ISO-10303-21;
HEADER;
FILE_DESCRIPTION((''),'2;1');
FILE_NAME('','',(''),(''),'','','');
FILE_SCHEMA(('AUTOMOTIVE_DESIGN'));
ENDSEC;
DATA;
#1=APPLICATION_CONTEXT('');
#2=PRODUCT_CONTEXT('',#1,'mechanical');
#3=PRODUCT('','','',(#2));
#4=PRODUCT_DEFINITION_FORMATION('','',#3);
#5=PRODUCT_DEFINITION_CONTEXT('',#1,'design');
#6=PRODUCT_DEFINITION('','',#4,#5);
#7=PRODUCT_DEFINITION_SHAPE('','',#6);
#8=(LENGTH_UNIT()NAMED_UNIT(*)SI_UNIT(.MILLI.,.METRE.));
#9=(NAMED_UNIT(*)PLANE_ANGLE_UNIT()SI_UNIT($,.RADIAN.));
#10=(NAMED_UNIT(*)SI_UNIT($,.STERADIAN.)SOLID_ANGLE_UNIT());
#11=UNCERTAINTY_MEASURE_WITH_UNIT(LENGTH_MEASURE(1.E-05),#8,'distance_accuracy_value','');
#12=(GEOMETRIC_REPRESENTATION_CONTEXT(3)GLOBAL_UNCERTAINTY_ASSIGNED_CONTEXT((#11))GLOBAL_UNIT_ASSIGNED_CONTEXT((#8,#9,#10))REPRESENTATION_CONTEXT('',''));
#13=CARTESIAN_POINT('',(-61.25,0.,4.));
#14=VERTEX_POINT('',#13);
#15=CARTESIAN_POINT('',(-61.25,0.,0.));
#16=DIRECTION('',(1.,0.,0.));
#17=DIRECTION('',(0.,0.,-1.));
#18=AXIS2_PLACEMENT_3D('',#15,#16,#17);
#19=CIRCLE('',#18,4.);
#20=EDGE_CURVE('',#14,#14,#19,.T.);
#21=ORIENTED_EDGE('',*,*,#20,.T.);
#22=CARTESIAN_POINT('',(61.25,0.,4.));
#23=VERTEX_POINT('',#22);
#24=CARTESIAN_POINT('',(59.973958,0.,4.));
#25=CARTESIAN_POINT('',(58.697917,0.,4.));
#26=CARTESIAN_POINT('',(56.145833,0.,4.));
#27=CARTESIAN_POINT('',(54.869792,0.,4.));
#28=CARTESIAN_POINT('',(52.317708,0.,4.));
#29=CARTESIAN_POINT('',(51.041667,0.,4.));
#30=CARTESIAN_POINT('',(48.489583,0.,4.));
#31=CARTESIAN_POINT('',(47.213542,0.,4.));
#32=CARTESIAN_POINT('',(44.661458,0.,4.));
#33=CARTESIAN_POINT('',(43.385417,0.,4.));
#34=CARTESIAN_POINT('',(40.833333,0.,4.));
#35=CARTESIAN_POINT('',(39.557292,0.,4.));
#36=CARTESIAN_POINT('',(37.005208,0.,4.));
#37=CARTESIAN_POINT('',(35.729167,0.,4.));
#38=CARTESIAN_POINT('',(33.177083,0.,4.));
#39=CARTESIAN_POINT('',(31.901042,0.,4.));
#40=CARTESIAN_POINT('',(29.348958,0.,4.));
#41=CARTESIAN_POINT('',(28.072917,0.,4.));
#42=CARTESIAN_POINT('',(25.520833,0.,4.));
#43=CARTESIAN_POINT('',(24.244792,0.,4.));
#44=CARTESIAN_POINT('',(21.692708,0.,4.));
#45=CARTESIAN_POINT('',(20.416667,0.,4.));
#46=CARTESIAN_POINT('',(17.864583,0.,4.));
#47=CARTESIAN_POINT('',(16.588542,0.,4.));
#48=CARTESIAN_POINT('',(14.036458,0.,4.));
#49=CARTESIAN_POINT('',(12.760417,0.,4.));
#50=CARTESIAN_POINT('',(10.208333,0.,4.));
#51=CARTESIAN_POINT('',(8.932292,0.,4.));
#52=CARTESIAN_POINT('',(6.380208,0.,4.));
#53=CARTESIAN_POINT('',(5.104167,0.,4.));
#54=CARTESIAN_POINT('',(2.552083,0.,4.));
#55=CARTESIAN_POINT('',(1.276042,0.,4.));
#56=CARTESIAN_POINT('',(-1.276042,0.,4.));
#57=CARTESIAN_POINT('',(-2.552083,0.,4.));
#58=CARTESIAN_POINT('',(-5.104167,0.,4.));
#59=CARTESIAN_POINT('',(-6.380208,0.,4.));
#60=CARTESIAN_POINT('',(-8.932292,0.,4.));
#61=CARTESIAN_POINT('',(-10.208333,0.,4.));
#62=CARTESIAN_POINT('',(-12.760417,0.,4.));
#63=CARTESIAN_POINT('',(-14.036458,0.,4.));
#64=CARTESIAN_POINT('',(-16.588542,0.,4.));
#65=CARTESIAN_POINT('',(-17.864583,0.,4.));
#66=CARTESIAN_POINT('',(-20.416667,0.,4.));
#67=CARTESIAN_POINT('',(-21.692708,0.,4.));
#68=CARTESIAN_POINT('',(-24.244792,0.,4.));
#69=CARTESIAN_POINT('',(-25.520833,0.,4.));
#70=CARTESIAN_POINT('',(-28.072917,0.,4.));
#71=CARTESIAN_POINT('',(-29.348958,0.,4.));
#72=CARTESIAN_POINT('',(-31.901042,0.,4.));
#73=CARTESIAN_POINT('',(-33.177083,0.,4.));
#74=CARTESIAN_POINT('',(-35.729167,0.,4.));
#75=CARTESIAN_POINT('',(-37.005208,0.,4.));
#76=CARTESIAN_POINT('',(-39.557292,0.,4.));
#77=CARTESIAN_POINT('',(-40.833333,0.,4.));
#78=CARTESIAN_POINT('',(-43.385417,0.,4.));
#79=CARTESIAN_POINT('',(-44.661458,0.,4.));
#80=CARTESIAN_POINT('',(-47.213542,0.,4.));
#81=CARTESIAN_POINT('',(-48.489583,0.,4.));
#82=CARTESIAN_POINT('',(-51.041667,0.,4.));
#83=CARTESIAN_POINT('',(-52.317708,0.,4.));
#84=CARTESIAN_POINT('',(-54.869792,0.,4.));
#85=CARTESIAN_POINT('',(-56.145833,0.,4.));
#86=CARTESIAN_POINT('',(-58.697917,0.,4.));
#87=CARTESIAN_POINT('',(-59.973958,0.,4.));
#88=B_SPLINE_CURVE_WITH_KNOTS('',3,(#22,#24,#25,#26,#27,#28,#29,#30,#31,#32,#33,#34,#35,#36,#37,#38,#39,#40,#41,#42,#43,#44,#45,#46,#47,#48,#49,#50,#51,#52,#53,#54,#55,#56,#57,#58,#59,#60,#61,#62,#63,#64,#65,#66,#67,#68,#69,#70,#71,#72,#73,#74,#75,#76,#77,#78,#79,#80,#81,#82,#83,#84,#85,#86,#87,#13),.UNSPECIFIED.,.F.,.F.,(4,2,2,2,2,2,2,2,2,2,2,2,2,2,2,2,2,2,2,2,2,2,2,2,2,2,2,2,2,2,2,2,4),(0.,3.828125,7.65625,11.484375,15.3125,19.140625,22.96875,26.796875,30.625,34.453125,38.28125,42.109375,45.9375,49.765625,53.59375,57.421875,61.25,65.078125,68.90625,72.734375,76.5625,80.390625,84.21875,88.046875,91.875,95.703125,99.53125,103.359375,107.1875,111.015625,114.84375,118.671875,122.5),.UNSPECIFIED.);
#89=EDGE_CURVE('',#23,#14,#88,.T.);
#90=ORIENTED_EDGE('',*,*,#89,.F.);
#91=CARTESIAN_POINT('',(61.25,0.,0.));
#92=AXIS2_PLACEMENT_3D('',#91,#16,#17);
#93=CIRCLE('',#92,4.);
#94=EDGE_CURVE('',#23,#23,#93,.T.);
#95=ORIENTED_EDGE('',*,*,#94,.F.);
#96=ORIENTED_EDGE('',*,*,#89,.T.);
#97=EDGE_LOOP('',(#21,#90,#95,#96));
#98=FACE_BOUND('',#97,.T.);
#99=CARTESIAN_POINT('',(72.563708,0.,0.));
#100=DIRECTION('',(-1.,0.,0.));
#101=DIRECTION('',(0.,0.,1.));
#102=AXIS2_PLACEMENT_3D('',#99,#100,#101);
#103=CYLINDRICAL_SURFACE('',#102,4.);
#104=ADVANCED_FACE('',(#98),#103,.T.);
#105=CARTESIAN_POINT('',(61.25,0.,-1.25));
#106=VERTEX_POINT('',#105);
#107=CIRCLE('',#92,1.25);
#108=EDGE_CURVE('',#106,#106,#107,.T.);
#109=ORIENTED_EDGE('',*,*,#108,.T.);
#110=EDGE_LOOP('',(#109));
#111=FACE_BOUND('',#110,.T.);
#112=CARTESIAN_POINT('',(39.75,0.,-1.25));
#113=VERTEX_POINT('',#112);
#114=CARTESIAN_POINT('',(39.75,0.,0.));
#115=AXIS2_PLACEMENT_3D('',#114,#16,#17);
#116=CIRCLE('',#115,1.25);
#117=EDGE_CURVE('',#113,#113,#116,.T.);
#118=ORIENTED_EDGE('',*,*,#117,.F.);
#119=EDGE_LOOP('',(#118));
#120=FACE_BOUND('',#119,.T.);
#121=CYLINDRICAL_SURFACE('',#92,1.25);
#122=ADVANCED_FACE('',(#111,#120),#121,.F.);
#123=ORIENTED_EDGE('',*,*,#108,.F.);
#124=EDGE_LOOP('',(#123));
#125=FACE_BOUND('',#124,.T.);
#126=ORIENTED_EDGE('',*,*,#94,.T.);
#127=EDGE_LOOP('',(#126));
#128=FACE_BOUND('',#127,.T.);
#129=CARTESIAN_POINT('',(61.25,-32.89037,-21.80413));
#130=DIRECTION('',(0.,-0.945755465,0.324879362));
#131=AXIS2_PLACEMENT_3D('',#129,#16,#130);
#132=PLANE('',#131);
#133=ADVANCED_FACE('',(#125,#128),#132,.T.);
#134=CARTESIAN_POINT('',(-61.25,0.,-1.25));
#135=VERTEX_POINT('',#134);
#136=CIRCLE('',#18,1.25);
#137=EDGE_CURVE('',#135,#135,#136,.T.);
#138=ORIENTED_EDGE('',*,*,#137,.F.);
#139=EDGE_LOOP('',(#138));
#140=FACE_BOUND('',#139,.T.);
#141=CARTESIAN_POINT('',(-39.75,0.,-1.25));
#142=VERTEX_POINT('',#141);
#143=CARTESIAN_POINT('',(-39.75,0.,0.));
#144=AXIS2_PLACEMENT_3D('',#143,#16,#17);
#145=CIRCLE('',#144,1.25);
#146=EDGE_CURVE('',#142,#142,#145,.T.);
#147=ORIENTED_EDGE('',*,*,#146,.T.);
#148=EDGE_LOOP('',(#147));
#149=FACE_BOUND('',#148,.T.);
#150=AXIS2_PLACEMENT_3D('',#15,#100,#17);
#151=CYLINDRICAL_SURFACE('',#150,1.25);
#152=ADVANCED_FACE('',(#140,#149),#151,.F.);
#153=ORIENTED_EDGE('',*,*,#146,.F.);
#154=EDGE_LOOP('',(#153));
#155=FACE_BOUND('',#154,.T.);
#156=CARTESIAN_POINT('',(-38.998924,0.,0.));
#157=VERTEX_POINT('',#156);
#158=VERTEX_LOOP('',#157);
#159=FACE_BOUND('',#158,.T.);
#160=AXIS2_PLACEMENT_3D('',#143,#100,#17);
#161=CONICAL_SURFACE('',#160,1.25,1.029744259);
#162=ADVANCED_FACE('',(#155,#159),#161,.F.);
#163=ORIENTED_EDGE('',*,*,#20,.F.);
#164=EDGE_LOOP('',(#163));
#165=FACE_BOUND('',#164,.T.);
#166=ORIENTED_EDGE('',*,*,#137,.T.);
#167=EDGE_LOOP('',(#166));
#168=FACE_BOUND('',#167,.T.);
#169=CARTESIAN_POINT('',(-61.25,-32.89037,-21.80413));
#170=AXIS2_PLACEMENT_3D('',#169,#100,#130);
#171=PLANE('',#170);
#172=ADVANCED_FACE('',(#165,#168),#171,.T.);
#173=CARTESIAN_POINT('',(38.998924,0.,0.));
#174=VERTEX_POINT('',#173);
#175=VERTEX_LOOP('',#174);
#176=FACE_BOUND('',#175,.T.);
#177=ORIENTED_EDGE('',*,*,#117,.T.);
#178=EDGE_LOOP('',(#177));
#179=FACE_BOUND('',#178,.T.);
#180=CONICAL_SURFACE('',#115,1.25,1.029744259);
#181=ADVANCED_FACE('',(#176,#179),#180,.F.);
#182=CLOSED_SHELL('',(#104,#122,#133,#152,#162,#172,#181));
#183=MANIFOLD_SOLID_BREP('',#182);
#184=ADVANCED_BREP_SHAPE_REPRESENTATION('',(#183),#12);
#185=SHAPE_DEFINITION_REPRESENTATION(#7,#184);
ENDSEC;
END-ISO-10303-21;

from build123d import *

# Parameters (mm, degrees)
SKETCH_2_R      = 4
EXTRUDE_1_DEPTH = 61.25


with BuildPart() as part:
    # 스케치2 → 보스-돌출1 (new body)
    with BuildSketch(Plane(origin=(0, 0, 0), x_dir=(0, 0, -1), z_dir=(1, 0, 0))):
        Circle(SKETCH_2_R)
    extrude_1 = extrude(amount=EXTRUDE_1_DEPTH)

    # 스케치4 → M3x0.5 나사 구멍1 (revolve, cut)
    with BuildSketch(Plane(origin=(61.25, 0, 0), x_dir=(0, 0, -1), z_dir=(0, 1, 0))):
        Polygon((0, 0), (0, 22.251075774), (1.25, 21.5), (1.25, 0), align=None)
    m3x0_5_1 = revolve(axis=Axis((67.6, 0, 0), (-1, 0, 0)), mode=Mode.SUBTRACT)

    # 대칭 복사1: 보스-돌출1, M3x0.5 나사 구멍1 across plane
    add(extrude_1.mirror(Plane(origin=(0, 0, 0), x_dir=(0, 0, 1), z_dir=(1, 0, 0))))
    add(m3x0_5_1.mirror(Plane(origin=(0, 0, 0), x_dir=(0, 0, 1), z_dir=(1, 0, 0))), mode=Mode.SUBTRACT)


solid = part.part
